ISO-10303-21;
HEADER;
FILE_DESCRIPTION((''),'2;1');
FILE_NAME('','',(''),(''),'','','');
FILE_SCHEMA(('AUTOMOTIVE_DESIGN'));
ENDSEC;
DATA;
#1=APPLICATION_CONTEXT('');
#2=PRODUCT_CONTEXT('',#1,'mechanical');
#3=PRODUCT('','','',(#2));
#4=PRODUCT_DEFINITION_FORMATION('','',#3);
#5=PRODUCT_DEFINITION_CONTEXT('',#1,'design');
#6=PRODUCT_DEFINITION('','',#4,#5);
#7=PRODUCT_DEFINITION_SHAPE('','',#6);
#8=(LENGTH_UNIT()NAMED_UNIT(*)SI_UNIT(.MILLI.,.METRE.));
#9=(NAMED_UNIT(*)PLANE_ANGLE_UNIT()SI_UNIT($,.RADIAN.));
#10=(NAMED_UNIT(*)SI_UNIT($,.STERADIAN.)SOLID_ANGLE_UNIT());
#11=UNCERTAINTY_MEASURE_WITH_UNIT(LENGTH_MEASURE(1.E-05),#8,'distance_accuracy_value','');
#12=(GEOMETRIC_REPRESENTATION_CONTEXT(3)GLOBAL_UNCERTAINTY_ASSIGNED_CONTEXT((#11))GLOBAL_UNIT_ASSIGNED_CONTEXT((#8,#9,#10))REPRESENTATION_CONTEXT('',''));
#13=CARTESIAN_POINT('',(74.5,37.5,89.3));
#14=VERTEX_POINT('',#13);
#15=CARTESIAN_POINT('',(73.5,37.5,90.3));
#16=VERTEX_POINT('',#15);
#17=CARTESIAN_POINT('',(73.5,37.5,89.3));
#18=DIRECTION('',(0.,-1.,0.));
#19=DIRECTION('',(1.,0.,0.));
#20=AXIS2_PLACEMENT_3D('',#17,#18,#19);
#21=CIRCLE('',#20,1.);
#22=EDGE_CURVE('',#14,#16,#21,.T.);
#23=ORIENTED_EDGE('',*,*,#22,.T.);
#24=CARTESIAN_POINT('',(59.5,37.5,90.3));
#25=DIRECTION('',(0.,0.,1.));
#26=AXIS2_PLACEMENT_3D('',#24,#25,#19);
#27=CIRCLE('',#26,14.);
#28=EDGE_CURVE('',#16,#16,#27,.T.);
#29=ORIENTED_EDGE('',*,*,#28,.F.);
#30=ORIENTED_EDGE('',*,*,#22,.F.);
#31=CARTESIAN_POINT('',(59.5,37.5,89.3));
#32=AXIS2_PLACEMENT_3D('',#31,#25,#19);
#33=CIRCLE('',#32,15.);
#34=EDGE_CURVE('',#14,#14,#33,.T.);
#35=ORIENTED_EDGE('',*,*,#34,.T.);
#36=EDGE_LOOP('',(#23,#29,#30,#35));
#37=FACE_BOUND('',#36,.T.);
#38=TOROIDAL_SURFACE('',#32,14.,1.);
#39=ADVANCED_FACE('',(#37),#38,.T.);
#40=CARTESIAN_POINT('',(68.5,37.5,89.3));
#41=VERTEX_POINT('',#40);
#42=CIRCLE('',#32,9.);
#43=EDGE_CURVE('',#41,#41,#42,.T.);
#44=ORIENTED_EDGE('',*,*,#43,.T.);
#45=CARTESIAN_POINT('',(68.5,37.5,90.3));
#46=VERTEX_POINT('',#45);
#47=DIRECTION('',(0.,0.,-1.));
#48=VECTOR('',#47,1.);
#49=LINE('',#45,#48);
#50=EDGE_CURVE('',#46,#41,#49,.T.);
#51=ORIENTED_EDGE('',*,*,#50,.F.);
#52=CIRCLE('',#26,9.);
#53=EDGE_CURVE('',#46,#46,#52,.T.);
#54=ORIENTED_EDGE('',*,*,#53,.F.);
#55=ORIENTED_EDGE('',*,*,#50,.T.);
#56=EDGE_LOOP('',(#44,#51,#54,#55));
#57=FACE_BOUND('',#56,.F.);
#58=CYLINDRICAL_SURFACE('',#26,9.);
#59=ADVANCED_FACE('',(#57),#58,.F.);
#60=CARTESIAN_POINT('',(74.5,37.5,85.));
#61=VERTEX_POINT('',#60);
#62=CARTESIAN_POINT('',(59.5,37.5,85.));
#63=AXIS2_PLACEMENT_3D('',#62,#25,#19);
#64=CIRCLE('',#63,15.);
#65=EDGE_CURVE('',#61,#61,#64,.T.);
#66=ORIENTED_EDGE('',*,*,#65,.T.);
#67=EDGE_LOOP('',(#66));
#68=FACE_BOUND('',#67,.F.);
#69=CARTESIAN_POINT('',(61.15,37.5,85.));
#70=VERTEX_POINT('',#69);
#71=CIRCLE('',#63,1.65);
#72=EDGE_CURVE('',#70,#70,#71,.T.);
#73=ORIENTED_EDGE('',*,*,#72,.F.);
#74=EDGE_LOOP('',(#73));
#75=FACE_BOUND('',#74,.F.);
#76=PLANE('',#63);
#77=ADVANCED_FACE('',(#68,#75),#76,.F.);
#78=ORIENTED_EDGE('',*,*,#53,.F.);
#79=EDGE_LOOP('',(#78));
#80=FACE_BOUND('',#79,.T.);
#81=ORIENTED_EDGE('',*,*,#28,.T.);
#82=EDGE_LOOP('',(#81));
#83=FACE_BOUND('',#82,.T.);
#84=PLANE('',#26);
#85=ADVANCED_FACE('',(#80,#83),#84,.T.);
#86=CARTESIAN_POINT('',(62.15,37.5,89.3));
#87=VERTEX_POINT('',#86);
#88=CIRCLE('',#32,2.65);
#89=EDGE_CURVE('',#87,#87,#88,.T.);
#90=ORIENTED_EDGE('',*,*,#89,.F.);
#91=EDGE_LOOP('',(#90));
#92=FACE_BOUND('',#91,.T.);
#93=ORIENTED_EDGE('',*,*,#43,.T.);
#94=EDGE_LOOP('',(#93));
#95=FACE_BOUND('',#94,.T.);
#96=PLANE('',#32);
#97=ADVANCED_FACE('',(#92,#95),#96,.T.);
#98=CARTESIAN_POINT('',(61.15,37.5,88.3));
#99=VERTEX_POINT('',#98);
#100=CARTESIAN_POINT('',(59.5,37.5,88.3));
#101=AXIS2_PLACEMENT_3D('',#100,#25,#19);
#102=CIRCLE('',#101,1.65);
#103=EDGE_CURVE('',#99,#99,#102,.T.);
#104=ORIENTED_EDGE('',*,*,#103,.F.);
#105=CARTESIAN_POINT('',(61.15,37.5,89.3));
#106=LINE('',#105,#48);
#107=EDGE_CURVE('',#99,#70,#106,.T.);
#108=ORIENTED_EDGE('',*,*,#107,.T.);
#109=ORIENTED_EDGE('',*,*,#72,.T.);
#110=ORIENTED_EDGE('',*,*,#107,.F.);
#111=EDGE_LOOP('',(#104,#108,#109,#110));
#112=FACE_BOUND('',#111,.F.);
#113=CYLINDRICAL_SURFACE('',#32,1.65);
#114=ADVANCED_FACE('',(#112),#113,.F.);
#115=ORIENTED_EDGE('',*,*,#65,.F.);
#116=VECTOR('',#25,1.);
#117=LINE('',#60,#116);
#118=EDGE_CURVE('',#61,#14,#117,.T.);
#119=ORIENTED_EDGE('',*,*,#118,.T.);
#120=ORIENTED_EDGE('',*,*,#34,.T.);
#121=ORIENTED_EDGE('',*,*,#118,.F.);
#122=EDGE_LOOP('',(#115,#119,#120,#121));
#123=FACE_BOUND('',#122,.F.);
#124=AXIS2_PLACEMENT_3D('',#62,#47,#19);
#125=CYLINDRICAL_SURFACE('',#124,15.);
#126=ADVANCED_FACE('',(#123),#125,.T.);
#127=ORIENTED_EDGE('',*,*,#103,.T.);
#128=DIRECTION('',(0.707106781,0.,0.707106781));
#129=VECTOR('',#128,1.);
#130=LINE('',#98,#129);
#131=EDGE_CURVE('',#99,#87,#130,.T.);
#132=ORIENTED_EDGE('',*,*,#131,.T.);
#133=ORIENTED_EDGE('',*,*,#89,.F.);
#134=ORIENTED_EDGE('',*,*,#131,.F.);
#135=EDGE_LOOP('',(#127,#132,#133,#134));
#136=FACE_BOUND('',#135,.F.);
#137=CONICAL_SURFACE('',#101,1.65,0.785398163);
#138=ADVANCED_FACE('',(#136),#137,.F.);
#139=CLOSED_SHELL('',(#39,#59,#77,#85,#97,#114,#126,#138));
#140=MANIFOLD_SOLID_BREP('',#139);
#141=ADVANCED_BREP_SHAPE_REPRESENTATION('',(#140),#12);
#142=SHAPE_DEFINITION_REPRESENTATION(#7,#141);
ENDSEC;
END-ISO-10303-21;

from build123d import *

# Parameters (mm, degrees)
SKETCH035_R     = 15
PAD013_DEPTH    = 5.3
SKETCH036_R     = 9
POCKET019_DEPTH = 1
SKETCH037_R     = 1.65
POCKET020_DEPTH = 5
FILLET008_R     = 1
CHAMFER003_SIZE = 1


with BuildPart() as part:
    # Sketch035 → Pad013 (new body)
    with BuildSketch(Plane.XY):
        Circle(SKETCH035_R)
    extrude(amount=PAD013_DEPTH)

    # Sketch036 → Pocket019 (cut)
    with BuildSketch(Plane.XY.offset(5.3)):
        Circle(SKETCH036_R)
    extrude(amount=-POCKET019_DEPTH, mode=Mode.SUBTRACT)

    # Sketch037 (on Face5 of Pocket019) → Pocket020 (cut)
    with BuildSketch(Plane.XY.offset(4.3)):
        Circle(SKETCH037_R)
    extrude(amount=-POCKET020_DEPTH, mode=Mode.SUBTRACT)

    # Fillet008
    fillet008_edges = [part.edges().sort_by_distance(p)[0] for p in [
        (-15, 0, 5.3),
    ]]
    fillet(fillet008_edges, radius=FILLET008_R)

    # Chamfer003
    chamfer003_edges = [part.edges().sort_by_distance(p)[0] for p in [
        (-1.65, 0, 4.3),
    ]]
    chamfer(chamfer003_edges, length=CHAMFER003_SIZE)


with BuildPart() as part_1:
    # Body009 placement: moved
    add(part.part.moved(Location((59.5, 37.5, 85))))


solid = part_1.part
